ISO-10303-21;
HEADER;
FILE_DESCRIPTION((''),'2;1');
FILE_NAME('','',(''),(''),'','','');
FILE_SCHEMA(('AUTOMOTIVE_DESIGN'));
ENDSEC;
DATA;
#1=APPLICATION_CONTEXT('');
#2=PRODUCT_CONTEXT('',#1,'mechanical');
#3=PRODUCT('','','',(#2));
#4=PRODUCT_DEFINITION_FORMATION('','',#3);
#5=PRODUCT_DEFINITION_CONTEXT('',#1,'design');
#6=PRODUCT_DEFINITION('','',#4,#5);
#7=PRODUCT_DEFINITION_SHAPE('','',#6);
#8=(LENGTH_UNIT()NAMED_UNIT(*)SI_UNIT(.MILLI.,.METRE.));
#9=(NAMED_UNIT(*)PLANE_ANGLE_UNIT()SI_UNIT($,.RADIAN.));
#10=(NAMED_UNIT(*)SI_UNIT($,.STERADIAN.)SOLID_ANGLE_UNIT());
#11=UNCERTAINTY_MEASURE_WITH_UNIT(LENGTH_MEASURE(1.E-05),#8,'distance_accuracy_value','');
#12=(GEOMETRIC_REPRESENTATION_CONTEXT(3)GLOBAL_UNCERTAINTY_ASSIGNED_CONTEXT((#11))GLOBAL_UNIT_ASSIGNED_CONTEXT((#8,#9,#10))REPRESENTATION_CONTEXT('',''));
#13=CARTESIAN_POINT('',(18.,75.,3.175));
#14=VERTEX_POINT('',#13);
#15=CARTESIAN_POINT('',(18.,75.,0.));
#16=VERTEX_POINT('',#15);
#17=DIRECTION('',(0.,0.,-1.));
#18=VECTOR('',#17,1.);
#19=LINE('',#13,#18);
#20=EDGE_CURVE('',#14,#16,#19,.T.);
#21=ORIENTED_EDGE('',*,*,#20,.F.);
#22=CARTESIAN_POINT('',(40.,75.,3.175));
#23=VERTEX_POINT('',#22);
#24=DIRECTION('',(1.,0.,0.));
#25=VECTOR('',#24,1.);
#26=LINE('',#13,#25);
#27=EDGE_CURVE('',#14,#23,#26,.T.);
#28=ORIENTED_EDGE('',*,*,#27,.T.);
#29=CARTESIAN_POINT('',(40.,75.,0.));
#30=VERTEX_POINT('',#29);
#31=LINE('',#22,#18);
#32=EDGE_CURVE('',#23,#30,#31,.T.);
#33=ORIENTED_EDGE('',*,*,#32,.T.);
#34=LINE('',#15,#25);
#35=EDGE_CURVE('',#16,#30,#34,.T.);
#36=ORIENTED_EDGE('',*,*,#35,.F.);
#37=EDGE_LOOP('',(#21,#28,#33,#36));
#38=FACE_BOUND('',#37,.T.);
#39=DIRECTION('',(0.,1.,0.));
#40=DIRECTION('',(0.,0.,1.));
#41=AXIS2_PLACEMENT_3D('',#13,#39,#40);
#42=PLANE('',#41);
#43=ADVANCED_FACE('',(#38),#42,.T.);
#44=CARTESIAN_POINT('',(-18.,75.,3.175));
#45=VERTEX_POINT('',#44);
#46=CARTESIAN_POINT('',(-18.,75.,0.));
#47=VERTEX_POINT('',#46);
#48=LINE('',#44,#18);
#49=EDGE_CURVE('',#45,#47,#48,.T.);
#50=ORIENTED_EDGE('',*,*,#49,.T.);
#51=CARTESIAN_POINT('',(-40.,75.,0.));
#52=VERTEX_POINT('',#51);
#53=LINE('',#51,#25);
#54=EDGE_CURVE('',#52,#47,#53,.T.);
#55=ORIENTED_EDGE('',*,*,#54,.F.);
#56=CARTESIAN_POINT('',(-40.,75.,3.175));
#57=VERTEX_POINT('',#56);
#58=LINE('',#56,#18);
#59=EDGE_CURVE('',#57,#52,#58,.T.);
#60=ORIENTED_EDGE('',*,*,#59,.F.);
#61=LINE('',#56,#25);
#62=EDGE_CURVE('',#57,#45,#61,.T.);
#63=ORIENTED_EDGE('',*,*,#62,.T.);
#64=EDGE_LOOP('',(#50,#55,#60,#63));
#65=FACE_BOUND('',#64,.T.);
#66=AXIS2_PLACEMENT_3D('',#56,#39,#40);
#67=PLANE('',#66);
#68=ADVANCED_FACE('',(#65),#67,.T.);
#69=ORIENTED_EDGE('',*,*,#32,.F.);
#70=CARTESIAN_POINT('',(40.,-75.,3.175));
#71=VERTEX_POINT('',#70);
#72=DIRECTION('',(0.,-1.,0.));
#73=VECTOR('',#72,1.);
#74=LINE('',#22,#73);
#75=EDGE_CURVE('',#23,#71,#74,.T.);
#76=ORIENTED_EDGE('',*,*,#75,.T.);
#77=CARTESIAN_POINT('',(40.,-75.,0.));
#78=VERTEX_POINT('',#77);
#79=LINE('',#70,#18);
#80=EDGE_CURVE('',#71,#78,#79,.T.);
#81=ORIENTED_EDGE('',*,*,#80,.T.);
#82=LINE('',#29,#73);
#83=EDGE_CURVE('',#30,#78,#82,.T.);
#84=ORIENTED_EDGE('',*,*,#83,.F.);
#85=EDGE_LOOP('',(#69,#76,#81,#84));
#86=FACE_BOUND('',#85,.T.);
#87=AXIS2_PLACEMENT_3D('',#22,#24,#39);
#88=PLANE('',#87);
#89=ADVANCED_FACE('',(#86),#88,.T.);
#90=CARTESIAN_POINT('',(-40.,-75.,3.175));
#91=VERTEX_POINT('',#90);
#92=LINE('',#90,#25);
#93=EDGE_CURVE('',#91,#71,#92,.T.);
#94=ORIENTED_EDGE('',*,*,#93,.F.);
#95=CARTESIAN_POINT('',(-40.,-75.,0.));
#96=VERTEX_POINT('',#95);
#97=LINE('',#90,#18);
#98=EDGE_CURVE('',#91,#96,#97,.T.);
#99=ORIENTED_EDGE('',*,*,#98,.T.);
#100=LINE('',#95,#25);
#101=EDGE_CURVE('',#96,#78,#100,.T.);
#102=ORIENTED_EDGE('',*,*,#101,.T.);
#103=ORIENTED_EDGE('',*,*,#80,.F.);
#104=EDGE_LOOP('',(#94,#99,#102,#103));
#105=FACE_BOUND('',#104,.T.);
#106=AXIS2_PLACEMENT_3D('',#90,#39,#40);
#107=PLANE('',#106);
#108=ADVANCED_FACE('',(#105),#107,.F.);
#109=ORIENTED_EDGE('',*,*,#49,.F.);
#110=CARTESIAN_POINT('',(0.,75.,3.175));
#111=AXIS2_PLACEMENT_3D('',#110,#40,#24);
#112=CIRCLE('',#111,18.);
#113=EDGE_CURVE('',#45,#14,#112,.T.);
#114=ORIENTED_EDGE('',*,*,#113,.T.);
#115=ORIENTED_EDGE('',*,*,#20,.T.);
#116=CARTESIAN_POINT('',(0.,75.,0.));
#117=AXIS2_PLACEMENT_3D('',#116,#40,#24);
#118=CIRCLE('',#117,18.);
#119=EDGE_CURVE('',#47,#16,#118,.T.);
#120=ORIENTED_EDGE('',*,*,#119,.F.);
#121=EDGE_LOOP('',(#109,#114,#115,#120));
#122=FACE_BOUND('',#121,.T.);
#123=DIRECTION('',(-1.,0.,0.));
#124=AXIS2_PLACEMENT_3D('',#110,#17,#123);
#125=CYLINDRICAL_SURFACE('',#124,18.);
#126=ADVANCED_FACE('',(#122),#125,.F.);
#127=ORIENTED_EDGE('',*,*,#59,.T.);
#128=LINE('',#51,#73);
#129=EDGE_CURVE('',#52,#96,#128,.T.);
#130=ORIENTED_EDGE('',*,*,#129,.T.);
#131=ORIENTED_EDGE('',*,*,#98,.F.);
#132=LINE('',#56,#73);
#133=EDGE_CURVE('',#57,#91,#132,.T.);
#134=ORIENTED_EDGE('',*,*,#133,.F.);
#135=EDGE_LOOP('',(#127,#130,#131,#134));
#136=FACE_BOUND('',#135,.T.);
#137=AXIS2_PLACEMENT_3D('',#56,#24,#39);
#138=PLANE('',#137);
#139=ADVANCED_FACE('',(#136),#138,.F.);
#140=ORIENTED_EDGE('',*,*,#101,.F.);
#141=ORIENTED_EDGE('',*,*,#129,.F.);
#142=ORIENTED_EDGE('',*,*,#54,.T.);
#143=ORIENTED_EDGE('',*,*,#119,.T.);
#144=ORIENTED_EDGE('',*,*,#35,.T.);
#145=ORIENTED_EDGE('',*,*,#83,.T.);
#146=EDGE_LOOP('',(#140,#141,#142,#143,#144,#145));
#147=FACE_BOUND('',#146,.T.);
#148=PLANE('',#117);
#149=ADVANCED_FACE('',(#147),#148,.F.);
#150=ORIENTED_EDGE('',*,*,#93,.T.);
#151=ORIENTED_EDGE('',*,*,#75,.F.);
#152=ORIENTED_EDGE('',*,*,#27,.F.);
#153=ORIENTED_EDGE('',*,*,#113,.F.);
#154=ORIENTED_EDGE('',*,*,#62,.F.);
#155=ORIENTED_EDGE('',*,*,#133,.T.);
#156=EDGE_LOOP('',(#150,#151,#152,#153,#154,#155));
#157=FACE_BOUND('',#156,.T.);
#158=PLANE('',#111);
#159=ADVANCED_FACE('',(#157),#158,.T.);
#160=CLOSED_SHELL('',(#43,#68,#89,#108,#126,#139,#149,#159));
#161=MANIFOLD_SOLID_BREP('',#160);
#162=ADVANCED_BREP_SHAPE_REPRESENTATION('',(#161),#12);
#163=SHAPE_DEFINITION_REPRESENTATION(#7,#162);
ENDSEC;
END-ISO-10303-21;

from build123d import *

# Parameters (mm, degrees)
BOSS_EXTRUDE1_DEPTH = 3.175


with BuildPart() as part:
    # Sketch1 → Boss-Extrude1 (new body)
    with BuildSketch(Plane.XY):
        with BuildLine():
            Line((18, 75), (40, 75))
            Line((40, 75), (40, -75))
            Line((40, -75), (-40, -75))
            Line((-40, -75), (-40, 75))
            Line((-40, 75), (-18, 75))
            ThreePointArc((-18, 75), (0, 57), (18, 75))
        make_face()
    extrude(amount=BOSS_EXTRUDE1_DEPTH)


solid = part.part
